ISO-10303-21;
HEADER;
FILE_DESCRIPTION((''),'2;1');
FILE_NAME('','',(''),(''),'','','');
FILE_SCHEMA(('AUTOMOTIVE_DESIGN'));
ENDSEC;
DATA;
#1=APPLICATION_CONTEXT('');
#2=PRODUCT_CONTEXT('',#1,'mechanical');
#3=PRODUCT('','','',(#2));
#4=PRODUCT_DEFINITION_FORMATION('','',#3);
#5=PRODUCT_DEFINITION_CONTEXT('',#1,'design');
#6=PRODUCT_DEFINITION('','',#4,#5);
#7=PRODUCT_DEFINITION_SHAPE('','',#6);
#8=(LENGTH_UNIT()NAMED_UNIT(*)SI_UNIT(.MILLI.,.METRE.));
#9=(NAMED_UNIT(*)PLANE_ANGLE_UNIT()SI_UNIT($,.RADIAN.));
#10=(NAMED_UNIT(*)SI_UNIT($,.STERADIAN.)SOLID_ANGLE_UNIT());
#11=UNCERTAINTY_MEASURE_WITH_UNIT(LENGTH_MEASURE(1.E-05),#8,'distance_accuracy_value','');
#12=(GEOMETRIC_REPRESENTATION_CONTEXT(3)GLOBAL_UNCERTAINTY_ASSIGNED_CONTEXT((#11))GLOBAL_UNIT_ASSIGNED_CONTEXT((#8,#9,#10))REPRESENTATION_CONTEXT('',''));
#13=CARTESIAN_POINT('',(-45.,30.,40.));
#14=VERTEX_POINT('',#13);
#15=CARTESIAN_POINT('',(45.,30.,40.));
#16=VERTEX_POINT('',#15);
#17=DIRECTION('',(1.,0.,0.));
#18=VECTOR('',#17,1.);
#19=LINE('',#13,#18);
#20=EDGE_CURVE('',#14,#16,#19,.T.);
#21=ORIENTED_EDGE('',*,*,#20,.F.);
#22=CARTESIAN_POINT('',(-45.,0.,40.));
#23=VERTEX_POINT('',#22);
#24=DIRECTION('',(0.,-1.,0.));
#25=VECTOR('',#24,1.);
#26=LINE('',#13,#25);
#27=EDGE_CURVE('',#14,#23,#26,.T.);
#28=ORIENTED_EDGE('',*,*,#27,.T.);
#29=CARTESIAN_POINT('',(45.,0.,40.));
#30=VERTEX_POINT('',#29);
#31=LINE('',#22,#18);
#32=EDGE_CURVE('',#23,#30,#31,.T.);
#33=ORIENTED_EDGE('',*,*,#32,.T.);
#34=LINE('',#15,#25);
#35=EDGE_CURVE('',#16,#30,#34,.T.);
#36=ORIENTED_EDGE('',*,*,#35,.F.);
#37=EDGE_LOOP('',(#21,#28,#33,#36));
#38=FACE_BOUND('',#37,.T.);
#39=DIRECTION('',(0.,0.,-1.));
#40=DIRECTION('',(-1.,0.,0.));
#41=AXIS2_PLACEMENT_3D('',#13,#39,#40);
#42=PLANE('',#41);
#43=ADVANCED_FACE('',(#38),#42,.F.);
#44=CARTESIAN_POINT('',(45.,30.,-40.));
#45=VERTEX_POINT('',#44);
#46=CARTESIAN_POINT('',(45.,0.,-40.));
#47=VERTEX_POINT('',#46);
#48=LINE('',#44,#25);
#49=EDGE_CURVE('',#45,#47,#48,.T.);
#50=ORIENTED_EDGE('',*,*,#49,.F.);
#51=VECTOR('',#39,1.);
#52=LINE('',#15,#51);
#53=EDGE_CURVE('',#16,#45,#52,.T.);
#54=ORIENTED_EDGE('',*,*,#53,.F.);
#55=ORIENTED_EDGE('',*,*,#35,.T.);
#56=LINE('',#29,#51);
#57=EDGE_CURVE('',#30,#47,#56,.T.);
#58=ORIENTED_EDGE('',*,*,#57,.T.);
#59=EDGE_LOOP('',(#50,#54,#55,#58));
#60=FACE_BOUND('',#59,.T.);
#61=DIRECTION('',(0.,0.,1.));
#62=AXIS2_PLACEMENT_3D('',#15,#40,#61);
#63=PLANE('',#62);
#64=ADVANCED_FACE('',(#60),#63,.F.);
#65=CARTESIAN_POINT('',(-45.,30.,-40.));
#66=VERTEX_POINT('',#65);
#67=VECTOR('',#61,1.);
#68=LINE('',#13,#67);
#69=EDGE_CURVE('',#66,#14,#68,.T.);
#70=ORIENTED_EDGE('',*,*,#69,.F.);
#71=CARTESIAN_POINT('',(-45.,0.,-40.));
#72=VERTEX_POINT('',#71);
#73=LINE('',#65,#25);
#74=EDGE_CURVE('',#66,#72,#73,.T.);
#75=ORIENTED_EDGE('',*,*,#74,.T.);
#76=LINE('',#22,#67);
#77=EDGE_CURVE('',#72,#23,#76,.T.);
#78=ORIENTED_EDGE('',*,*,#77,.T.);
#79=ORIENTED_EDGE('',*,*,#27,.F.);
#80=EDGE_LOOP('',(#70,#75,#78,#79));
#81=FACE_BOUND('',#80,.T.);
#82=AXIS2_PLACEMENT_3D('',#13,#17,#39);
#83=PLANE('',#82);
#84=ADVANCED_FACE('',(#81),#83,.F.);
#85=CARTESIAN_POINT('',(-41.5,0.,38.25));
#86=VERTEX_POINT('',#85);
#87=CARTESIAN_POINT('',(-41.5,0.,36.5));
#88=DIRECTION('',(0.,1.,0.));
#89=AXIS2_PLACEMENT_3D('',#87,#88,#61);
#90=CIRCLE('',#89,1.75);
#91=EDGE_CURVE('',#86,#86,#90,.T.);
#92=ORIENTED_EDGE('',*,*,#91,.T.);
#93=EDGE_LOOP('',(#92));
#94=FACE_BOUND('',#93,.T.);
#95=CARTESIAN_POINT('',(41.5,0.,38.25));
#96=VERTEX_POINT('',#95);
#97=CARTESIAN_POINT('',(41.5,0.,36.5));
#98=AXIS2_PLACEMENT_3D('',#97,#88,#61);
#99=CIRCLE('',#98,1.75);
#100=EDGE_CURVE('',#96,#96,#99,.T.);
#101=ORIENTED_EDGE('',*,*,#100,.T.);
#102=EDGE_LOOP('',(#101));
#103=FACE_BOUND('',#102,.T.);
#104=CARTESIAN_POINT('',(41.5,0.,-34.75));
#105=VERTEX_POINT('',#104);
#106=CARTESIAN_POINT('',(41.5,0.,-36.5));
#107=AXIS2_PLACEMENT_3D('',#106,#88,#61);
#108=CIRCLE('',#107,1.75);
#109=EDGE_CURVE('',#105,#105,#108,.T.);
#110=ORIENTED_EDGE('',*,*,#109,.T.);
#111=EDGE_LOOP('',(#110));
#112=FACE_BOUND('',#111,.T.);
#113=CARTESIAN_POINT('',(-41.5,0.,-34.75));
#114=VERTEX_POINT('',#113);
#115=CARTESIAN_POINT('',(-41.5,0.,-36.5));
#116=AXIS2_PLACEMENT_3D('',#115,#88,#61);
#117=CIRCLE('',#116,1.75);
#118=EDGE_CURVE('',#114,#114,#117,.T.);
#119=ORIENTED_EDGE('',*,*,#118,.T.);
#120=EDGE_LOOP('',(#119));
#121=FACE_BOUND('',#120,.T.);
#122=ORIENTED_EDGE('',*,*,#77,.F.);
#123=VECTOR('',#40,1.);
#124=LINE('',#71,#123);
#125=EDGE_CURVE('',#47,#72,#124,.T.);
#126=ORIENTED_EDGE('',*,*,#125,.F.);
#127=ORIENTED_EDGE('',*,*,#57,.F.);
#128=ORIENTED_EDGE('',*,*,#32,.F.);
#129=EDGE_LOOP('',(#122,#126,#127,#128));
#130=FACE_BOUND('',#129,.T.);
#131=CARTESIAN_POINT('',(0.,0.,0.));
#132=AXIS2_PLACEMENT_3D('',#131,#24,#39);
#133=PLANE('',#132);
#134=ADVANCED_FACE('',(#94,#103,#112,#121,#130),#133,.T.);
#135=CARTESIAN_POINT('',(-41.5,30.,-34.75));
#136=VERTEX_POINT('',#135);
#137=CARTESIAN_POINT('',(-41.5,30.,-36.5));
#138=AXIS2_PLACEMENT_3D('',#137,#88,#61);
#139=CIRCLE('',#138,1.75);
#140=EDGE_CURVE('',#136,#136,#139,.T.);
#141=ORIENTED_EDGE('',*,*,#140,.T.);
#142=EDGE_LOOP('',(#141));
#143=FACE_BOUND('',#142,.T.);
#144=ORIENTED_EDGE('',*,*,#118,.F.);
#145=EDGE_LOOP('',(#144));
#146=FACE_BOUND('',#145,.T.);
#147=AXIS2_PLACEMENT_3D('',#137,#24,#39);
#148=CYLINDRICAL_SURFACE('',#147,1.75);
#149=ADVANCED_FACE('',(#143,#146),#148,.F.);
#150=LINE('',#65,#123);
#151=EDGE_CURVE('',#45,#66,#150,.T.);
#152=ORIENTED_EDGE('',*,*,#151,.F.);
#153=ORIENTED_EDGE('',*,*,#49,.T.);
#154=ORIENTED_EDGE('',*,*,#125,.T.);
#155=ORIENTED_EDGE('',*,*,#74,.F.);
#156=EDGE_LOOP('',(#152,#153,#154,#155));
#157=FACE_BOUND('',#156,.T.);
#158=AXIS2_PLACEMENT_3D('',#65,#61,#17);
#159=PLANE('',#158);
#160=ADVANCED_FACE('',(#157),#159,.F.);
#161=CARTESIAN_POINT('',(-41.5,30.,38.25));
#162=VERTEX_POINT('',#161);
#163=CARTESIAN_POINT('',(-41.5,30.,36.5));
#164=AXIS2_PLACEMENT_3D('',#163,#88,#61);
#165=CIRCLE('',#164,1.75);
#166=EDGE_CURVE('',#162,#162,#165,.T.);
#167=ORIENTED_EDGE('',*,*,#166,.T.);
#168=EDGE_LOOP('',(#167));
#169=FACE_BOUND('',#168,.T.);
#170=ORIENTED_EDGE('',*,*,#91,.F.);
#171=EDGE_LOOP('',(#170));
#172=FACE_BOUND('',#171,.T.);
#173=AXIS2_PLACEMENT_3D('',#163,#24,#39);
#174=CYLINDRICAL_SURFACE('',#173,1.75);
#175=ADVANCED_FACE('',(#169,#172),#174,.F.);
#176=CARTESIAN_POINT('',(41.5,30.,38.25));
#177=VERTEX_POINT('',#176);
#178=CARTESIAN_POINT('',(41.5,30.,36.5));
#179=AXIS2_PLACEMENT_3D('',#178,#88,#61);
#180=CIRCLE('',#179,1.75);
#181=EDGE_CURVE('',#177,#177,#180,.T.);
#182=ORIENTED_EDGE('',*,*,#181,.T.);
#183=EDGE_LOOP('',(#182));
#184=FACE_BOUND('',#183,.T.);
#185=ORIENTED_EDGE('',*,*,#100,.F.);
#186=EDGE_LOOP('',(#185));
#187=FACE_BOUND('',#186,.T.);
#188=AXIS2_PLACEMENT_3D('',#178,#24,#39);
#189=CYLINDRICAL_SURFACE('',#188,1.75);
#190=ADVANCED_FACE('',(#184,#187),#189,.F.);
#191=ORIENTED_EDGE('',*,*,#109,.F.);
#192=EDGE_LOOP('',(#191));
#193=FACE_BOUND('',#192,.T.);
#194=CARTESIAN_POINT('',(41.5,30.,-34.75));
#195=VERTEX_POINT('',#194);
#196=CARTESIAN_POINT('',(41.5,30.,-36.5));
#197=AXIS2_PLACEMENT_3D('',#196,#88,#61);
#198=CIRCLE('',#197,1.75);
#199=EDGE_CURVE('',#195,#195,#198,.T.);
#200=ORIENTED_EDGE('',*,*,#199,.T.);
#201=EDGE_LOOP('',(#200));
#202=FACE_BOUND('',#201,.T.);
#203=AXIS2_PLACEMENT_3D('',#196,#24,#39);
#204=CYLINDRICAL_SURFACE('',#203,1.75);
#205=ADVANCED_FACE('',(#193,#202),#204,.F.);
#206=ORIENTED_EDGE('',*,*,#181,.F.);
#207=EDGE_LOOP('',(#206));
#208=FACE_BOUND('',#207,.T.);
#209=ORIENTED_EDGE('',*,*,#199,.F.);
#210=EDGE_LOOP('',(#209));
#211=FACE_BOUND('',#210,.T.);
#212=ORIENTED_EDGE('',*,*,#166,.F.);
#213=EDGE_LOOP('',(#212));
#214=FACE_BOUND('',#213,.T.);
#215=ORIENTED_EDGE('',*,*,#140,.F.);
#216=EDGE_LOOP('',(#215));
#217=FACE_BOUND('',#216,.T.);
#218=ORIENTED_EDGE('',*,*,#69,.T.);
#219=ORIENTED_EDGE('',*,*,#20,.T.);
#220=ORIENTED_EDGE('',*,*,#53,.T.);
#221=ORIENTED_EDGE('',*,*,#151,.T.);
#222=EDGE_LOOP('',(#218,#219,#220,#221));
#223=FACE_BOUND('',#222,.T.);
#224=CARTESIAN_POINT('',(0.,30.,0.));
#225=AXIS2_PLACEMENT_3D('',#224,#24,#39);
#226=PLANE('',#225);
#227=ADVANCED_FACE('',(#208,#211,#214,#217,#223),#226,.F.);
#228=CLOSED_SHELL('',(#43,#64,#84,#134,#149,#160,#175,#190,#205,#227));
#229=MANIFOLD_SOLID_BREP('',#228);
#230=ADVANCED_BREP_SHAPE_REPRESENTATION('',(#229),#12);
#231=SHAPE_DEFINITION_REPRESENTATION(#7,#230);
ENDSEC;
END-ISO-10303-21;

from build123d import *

# Parameters (mm, degrees)
SKETCH_1_W      = 90
SKETCH_1_H      = 80
SKETCH_1_R      = 1.75
EXTRUDE_1_DEPTH = 30


with BuildPart() as part:
    # 草图1 → 凸台-拉伸1 (new body)
    with BuildSketch(Plane(origin=(0, 0, 0), x_dir=(1, 0, 0), z_dir=(0, 1, 0))):
        Rectangle(SKETCH_1_W, SKETCH_1_H)
        with Locations(Location((-41.5, 36.5, 0), (0, 0, 270))):
            Circle(SKETCH_1_R, mode=Mode.SUBTRACT)
        with Locations(Location((41.5, 36.5, 0), (0, 0, 270))):
            Circle(SKETCH_1_R, mode=Mode.SUBTRACT)
        with Locations(Location((41.5, -36.5, 0), (0, 0, 270))):
            Circle(SKETCH_1_R, mode=Mode.SUBTRACT)
        with Locations(Location((-41.5, -36.5, 0), (0, 0, 270))):
            Circle(SKETCH_1_R, mode=Mode.SUBTRACT)
    extrude(amount=EXTRUDE_1_DEPTH)


solid = part.part
